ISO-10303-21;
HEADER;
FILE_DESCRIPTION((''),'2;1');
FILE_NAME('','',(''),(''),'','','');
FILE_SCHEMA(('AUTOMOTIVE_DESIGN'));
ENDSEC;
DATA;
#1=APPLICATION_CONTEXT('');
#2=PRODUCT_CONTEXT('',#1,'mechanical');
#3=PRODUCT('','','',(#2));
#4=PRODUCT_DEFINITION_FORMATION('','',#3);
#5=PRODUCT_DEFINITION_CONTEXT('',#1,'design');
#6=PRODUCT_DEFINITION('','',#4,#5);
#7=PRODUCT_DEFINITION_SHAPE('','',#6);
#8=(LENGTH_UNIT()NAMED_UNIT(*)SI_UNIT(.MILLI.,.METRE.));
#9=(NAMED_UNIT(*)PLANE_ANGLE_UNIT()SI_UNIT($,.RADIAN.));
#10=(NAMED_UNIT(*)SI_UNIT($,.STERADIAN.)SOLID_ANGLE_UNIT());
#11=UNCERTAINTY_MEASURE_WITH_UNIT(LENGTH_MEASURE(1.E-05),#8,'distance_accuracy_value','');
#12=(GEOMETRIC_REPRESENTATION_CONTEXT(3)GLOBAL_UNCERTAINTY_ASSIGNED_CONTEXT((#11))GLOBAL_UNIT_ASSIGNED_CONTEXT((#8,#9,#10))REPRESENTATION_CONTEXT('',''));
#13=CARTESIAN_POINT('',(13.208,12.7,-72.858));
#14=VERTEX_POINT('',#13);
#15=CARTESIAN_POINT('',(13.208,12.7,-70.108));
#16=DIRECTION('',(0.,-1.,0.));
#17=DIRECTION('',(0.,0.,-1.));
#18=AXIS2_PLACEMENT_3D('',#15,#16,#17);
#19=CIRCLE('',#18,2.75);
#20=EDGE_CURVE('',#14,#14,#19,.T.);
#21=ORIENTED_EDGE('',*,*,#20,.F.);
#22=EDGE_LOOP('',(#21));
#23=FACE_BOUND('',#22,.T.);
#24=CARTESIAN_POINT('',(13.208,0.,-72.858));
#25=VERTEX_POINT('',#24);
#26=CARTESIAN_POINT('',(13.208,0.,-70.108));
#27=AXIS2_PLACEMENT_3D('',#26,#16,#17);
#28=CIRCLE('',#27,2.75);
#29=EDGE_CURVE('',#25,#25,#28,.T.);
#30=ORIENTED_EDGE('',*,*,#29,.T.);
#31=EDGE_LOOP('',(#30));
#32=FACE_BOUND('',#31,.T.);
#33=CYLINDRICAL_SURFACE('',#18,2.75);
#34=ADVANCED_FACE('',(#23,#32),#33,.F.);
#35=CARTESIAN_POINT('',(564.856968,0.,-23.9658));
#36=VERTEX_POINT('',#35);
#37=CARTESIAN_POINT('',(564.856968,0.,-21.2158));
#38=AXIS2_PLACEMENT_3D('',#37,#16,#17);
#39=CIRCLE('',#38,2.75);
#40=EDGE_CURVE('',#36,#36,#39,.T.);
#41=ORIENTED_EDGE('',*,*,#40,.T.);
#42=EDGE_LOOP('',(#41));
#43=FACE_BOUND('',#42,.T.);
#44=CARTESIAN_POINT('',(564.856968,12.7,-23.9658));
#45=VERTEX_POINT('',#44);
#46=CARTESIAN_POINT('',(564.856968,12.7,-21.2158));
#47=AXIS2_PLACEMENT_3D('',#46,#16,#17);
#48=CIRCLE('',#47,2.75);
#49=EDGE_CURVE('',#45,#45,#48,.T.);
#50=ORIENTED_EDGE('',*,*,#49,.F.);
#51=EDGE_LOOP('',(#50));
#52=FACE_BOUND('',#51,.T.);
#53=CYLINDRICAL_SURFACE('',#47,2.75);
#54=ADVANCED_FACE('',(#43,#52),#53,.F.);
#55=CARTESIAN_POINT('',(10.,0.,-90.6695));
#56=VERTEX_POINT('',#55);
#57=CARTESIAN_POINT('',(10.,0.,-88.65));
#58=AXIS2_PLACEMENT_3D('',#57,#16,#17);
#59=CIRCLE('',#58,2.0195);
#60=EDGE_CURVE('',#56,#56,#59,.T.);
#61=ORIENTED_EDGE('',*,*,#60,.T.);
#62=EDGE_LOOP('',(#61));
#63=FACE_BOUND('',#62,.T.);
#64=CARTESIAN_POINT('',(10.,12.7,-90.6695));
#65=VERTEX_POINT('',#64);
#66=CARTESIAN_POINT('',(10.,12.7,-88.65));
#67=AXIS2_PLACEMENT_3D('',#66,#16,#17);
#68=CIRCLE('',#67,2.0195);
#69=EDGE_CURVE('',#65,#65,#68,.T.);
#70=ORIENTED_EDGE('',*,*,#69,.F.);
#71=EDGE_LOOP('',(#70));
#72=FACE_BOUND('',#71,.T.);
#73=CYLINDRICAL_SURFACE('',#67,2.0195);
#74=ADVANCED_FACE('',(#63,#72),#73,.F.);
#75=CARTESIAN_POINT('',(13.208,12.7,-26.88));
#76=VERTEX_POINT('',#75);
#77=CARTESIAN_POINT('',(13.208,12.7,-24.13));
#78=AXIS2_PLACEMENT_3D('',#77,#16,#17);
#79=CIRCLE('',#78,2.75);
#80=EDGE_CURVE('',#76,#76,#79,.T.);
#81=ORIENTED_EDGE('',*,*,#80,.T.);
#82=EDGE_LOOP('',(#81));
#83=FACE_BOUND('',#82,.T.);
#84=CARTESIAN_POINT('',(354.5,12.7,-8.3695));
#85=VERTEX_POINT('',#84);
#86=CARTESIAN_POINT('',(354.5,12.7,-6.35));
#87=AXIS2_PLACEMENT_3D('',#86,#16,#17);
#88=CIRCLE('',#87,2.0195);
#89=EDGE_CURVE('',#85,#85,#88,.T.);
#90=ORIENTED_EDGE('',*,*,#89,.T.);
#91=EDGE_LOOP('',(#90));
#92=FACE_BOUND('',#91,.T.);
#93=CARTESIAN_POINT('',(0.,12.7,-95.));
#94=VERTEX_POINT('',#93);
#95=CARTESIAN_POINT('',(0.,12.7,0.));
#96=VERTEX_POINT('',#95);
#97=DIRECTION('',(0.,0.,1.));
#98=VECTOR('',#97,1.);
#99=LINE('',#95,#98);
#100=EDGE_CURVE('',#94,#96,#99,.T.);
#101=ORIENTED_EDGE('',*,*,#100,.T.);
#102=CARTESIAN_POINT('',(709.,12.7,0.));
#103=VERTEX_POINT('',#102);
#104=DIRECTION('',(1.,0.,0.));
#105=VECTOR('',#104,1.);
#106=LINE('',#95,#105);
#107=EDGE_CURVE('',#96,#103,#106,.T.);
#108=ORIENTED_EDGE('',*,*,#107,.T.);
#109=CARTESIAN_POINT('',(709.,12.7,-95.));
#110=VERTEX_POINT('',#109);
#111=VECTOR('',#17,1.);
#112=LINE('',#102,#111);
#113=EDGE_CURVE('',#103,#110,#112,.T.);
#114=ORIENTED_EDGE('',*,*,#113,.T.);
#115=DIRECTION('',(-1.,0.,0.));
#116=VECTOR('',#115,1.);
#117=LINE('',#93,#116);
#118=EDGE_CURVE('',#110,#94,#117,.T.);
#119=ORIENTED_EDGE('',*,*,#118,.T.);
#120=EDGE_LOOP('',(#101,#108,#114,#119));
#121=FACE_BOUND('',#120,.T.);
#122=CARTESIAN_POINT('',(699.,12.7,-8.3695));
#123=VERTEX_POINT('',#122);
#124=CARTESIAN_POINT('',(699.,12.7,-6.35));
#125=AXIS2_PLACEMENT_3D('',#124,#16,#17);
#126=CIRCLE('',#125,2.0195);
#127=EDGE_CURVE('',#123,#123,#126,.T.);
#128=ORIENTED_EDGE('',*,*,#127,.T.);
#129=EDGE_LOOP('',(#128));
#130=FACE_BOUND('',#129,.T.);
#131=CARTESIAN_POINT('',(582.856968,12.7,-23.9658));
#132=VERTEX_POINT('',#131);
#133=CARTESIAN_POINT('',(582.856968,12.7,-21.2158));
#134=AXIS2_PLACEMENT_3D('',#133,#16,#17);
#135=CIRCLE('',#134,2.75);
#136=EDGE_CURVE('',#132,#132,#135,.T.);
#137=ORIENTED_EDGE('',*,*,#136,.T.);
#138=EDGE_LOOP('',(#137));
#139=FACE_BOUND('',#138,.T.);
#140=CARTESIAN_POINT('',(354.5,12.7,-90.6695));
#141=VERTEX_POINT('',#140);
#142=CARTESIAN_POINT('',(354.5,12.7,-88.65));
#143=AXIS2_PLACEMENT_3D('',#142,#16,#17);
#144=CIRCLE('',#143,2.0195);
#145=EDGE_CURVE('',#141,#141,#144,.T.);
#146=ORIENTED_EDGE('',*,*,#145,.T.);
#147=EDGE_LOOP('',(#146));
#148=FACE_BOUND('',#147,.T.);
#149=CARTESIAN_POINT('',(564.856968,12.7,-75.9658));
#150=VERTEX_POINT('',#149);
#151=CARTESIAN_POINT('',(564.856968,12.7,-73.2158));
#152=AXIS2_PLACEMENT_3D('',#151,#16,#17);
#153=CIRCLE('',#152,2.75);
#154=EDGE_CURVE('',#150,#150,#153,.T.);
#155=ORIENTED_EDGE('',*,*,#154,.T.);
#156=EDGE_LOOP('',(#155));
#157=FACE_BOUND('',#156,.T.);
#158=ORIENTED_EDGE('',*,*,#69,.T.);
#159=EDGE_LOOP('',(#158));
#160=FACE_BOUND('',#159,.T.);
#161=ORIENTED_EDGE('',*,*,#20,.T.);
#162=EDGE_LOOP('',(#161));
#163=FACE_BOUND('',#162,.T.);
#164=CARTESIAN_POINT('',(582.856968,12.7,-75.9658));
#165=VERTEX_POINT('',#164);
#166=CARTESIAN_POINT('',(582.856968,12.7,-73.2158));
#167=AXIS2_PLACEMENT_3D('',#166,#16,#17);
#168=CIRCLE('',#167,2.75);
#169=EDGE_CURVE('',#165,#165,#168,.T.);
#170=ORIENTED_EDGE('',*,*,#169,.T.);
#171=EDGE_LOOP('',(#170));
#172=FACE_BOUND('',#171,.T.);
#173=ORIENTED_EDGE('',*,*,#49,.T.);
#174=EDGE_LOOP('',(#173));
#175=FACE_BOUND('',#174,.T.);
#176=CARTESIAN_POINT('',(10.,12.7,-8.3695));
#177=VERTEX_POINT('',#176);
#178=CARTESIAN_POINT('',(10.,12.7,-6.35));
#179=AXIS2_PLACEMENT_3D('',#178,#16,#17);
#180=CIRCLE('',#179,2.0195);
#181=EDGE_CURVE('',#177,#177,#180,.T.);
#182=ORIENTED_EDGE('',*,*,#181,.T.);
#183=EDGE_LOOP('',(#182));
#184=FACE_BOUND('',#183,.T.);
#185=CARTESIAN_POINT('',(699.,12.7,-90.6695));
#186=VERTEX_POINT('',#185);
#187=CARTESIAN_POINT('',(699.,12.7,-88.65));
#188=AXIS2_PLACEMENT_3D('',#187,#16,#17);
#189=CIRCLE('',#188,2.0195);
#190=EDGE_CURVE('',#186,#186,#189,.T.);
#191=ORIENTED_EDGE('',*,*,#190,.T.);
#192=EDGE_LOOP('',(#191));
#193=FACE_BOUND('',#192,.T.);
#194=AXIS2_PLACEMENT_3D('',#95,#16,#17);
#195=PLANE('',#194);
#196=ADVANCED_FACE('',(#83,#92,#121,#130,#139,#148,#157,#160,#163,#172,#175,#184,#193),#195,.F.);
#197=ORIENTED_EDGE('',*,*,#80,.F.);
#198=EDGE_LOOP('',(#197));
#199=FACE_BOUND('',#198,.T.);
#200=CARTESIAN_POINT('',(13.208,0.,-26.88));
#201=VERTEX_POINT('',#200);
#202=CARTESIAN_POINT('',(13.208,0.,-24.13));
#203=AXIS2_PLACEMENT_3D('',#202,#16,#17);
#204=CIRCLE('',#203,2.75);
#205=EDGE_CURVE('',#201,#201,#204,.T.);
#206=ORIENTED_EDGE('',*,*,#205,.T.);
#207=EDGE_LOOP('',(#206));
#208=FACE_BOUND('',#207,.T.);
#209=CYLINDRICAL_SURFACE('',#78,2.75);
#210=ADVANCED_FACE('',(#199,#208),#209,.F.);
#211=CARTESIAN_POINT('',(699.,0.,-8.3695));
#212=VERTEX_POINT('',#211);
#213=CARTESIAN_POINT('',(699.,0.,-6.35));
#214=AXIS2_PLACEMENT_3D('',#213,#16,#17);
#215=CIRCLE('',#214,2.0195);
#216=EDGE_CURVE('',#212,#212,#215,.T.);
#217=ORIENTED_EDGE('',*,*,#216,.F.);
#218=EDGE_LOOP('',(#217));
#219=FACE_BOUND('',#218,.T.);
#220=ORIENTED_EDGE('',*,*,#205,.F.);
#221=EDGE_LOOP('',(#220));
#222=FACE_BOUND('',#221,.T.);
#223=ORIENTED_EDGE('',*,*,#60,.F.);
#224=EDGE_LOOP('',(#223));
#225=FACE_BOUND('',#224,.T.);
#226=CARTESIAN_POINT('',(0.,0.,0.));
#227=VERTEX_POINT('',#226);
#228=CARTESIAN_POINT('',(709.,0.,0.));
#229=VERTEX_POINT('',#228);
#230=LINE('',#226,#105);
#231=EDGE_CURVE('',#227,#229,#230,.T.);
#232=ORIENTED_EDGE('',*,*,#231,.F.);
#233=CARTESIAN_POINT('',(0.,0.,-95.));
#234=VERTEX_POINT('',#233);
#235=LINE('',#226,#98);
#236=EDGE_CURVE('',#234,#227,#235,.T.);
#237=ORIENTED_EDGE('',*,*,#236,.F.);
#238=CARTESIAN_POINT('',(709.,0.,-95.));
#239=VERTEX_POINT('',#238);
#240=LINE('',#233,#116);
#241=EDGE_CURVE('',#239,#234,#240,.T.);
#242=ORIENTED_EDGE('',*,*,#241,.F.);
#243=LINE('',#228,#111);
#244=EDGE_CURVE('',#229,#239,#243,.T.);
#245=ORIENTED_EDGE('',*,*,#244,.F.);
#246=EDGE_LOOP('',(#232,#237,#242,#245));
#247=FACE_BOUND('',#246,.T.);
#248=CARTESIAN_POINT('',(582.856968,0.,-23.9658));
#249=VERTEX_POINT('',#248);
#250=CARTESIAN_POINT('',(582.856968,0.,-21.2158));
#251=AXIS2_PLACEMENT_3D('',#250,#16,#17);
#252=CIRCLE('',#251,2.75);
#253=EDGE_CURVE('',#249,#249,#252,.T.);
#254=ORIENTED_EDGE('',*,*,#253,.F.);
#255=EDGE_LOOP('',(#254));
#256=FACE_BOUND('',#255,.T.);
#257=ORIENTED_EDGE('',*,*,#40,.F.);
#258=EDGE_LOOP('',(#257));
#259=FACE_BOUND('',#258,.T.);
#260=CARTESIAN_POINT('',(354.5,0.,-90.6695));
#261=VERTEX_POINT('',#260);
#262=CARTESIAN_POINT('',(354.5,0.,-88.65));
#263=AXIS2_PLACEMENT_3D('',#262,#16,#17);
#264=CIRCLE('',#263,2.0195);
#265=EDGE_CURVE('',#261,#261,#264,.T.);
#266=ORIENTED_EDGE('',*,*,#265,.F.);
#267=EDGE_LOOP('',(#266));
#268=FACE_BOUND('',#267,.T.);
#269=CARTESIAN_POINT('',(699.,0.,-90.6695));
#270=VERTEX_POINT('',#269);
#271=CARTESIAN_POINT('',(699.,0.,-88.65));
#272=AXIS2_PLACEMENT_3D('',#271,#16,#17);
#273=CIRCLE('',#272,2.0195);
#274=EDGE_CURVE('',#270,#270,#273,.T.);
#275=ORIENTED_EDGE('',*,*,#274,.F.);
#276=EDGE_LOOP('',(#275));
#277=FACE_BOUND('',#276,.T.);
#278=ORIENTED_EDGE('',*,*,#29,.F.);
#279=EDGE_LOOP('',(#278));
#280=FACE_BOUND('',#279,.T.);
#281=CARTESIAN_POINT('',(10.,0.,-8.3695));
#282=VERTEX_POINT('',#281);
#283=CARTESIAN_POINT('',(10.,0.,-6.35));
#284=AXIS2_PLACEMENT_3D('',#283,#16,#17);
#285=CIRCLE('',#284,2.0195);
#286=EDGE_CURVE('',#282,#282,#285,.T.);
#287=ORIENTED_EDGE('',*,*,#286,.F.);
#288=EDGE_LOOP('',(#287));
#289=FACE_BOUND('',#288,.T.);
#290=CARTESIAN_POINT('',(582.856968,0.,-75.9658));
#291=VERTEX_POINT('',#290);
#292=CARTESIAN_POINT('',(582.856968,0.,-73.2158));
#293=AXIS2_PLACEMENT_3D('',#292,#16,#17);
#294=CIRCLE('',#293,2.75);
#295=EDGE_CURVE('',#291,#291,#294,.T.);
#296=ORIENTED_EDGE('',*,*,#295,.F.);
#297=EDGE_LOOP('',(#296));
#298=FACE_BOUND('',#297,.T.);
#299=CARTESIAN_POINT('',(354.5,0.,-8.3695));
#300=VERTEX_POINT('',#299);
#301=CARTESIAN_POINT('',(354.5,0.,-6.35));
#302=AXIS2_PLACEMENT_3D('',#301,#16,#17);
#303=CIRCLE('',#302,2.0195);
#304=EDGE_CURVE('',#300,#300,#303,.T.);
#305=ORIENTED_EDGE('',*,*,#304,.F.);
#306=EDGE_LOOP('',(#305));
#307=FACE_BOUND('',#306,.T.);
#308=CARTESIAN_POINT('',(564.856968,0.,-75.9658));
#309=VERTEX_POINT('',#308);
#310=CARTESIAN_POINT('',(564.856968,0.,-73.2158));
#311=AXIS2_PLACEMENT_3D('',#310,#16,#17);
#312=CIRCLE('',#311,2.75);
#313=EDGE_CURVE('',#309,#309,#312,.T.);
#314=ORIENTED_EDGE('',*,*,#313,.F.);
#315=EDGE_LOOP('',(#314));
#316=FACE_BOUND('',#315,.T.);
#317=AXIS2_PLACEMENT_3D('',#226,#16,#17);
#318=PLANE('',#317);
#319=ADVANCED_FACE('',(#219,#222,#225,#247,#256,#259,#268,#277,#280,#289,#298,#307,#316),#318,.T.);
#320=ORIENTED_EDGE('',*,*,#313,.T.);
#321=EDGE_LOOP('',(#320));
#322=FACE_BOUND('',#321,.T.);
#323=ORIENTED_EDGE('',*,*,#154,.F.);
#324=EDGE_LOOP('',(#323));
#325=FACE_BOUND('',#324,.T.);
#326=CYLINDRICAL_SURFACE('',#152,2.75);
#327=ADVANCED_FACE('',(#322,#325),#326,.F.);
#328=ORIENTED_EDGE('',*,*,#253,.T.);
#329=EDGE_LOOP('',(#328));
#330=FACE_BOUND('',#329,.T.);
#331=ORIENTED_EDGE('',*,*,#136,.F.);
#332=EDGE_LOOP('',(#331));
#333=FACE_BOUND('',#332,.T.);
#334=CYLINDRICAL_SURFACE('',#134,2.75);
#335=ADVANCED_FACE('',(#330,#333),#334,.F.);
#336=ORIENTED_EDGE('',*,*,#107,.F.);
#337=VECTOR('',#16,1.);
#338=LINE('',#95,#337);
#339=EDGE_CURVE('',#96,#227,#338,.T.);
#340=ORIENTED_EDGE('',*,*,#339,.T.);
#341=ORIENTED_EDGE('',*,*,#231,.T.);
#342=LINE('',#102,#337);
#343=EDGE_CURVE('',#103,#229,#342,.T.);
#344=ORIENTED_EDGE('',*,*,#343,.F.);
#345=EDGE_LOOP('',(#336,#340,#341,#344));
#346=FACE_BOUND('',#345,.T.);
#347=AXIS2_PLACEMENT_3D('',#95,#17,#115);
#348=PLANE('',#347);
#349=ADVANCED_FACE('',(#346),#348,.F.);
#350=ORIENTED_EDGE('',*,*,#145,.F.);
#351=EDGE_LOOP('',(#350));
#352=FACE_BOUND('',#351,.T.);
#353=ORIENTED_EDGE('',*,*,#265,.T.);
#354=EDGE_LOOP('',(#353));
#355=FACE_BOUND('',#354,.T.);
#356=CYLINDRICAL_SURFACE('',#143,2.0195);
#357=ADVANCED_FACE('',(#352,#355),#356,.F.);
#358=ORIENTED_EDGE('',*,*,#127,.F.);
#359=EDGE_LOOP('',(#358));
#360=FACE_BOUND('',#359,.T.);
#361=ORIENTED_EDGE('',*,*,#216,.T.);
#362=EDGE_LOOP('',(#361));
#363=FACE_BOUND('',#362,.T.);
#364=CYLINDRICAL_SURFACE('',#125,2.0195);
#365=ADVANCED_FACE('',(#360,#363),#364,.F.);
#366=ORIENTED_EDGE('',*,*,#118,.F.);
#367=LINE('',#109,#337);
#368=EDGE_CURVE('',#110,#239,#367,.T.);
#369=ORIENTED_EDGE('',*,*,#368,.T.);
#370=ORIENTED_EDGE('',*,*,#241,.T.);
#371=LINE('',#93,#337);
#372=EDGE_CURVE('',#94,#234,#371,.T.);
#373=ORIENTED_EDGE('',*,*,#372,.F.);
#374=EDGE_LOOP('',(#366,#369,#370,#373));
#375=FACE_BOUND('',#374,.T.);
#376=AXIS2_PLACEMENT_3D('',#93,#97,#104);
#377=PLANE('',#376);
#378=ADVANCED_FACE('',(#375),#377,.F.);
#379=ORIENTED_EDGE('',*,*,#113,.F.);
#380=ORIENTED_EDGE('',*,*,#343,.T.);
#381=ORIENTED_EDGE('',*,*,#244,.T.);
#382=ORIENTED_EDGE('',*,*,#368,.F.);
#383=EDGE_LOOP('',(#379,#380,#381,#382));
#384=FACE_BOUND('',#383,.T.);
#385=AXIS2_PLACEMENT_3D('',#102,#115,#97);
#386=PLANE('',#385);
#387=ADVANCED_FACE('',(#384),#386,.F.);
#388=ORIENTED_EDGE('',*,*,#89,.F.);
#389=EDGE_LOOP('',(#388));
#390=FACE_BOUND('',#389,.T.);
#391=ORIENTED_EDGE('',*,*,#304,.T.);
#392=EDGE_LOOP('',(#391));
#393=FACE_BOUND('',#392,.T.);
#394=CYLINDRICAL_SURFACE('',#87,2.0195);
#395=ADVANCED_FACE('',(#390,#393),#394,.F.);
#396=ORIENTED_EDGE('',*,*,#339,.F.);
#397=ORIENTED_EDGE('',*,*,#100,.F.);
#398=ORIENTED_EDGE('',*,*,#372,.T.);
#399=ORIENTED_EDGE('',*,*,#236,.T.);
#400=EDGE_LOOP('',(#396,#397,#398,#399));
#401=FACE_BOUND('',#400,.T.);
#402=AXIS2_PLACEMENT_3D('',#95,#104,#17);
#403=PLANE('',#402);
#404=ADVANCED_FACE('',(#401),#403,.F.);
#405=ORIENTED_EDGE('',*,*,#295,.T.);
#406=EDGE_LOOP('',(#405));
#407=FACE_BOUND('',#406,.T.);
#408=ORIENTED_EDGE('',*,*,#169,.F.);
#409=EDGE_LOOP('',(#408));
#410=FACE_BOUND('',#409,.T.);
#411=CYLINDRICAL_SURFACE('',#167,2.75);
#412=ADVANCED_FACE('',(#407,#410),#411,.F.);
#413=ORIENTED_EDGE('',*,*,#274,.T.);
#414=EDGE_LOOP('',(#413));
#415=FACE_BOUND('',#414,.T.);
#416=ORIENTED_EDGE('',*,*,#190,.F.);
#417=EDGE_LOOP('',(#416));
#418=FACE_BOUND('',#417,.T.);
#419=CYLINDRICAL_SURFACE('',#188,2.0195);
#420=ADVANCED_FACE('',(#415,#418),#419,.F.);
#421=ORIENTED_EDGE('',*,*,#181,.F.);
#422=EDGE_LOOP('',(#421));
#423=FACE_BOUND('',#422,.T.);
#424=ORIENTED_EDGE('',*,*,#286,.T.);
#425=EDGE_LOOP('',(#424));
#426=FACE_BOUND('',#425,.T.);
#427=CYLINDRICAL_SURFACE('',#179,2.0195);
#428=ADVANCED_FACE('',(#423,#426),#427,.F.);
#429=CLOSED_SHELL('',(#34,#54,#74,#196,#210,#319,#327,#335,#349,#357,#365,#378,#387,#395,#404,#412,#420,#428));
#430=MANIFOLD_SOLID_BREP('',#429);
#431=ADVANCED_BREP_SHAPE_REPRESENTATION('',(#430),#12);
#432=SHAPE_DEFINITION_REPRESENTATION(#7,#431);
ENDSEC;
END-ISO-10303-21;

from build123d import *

# Parameters (mm, degrees)
SKETCH1_W           = 709
SKETCH1_H           = 95
BOSS_EXTRUDE1_DEPTH = 12.7
SKETCH2_R           = 2.0195
CUT_EXTRUDE1_DEPTH  = 716.449012858
SKETCH3_R           = 2.75
CUT_EXTRUDE2_DEPTH  = 716.449012858
SKETCH4_R           = 2.75
CUT_EXTRUDE3_DEPTH  = 716.449012858


with BuildPart() as part:
    # Sketch1 → Boss-Extrude1 (new body)
    with BuildSketch(Plane(origin=(0, 0, 0), x_dir=(1, 0, 0), z_dir=(0, 1, 0))):
        with Locations((354.5, 47.5)):
            Rectangle(SKETCH1_W, SKETCH1_H)
    extrude(amount=BOSS_EXTRUDE1_DEPTH)

    # Sketch2 → Cut-Extrude1 (cut, through all)
    with BuildSketch(Plane.XZ):
        with Locations(Location((10, -88.65, 0), (0, 0, 270))):
            Circle(SKETCH2_R)
        with Locations(Location((354.5, -88.65, 0), (0, 0, 270))):
            Circle(SKETCH2_R)
        with Locations(Location((699, -88.65, 0), (0, 0, 270))):
            Circle(SKETCH2_R)
        with Locations(Location((699, -6.35, 0), (0, 0, 270))):
            Circle(SKETCH2_R)
        with Locations(Location((354.5, -6.35, 0), (0, 0, 270))):
            Circle(SKETCH2_R)
        with Locations(Location((10, -6.35, 0), (0, 0, 270))):
            Circle(SKETCH2_R)
    extrude(amount=-CUT_EXTRUDE1_DEPTH, mode=Mode.SUBTRACT)

    # Sketch3 → Cut-Extrude2 (cut, through all)
    with BuildSketch(Plane.XZ):
        with Locations(Location((582.856967806, -21.2158, 0), (0, 0, 270))):
            Circle(SKETCH3_R)
        with Locations(Location((564.856967806, -21.2158, 0), (0, 0, 270))):
            Circle(SKETCH3_R)
        with Locations(Location((564.856967806, -73.2158, 0), (0, 0, 270))):
            Circle(SKETCH3_R)
        with Locations(Location((582.856967806, -73.2158, 0), (0, 0, 270))):
            Circle(SKETCH3_R)
    extrude(amount=-CUT_EXTRUDE2_DEPTH, mode=Mode.SUBTRACT)

    # Sketch4 → Cut-Extrude3 (cut, through all)
    with BuildSketch(Plane.XZ):
        with Locations(Location((13.208, -24.13, 0), (0, 0, 270))):
            Circle(SKETCH4_R)
        with Locations(Location((13.208, -70.108, 0), (0, 0, 270))):
            Circle(SKETCH4_R)
    extrude(amount=-CUT_EXTRUDE3_DEPTH, mode=Mode.SUBTRACT)


solid = part.part
